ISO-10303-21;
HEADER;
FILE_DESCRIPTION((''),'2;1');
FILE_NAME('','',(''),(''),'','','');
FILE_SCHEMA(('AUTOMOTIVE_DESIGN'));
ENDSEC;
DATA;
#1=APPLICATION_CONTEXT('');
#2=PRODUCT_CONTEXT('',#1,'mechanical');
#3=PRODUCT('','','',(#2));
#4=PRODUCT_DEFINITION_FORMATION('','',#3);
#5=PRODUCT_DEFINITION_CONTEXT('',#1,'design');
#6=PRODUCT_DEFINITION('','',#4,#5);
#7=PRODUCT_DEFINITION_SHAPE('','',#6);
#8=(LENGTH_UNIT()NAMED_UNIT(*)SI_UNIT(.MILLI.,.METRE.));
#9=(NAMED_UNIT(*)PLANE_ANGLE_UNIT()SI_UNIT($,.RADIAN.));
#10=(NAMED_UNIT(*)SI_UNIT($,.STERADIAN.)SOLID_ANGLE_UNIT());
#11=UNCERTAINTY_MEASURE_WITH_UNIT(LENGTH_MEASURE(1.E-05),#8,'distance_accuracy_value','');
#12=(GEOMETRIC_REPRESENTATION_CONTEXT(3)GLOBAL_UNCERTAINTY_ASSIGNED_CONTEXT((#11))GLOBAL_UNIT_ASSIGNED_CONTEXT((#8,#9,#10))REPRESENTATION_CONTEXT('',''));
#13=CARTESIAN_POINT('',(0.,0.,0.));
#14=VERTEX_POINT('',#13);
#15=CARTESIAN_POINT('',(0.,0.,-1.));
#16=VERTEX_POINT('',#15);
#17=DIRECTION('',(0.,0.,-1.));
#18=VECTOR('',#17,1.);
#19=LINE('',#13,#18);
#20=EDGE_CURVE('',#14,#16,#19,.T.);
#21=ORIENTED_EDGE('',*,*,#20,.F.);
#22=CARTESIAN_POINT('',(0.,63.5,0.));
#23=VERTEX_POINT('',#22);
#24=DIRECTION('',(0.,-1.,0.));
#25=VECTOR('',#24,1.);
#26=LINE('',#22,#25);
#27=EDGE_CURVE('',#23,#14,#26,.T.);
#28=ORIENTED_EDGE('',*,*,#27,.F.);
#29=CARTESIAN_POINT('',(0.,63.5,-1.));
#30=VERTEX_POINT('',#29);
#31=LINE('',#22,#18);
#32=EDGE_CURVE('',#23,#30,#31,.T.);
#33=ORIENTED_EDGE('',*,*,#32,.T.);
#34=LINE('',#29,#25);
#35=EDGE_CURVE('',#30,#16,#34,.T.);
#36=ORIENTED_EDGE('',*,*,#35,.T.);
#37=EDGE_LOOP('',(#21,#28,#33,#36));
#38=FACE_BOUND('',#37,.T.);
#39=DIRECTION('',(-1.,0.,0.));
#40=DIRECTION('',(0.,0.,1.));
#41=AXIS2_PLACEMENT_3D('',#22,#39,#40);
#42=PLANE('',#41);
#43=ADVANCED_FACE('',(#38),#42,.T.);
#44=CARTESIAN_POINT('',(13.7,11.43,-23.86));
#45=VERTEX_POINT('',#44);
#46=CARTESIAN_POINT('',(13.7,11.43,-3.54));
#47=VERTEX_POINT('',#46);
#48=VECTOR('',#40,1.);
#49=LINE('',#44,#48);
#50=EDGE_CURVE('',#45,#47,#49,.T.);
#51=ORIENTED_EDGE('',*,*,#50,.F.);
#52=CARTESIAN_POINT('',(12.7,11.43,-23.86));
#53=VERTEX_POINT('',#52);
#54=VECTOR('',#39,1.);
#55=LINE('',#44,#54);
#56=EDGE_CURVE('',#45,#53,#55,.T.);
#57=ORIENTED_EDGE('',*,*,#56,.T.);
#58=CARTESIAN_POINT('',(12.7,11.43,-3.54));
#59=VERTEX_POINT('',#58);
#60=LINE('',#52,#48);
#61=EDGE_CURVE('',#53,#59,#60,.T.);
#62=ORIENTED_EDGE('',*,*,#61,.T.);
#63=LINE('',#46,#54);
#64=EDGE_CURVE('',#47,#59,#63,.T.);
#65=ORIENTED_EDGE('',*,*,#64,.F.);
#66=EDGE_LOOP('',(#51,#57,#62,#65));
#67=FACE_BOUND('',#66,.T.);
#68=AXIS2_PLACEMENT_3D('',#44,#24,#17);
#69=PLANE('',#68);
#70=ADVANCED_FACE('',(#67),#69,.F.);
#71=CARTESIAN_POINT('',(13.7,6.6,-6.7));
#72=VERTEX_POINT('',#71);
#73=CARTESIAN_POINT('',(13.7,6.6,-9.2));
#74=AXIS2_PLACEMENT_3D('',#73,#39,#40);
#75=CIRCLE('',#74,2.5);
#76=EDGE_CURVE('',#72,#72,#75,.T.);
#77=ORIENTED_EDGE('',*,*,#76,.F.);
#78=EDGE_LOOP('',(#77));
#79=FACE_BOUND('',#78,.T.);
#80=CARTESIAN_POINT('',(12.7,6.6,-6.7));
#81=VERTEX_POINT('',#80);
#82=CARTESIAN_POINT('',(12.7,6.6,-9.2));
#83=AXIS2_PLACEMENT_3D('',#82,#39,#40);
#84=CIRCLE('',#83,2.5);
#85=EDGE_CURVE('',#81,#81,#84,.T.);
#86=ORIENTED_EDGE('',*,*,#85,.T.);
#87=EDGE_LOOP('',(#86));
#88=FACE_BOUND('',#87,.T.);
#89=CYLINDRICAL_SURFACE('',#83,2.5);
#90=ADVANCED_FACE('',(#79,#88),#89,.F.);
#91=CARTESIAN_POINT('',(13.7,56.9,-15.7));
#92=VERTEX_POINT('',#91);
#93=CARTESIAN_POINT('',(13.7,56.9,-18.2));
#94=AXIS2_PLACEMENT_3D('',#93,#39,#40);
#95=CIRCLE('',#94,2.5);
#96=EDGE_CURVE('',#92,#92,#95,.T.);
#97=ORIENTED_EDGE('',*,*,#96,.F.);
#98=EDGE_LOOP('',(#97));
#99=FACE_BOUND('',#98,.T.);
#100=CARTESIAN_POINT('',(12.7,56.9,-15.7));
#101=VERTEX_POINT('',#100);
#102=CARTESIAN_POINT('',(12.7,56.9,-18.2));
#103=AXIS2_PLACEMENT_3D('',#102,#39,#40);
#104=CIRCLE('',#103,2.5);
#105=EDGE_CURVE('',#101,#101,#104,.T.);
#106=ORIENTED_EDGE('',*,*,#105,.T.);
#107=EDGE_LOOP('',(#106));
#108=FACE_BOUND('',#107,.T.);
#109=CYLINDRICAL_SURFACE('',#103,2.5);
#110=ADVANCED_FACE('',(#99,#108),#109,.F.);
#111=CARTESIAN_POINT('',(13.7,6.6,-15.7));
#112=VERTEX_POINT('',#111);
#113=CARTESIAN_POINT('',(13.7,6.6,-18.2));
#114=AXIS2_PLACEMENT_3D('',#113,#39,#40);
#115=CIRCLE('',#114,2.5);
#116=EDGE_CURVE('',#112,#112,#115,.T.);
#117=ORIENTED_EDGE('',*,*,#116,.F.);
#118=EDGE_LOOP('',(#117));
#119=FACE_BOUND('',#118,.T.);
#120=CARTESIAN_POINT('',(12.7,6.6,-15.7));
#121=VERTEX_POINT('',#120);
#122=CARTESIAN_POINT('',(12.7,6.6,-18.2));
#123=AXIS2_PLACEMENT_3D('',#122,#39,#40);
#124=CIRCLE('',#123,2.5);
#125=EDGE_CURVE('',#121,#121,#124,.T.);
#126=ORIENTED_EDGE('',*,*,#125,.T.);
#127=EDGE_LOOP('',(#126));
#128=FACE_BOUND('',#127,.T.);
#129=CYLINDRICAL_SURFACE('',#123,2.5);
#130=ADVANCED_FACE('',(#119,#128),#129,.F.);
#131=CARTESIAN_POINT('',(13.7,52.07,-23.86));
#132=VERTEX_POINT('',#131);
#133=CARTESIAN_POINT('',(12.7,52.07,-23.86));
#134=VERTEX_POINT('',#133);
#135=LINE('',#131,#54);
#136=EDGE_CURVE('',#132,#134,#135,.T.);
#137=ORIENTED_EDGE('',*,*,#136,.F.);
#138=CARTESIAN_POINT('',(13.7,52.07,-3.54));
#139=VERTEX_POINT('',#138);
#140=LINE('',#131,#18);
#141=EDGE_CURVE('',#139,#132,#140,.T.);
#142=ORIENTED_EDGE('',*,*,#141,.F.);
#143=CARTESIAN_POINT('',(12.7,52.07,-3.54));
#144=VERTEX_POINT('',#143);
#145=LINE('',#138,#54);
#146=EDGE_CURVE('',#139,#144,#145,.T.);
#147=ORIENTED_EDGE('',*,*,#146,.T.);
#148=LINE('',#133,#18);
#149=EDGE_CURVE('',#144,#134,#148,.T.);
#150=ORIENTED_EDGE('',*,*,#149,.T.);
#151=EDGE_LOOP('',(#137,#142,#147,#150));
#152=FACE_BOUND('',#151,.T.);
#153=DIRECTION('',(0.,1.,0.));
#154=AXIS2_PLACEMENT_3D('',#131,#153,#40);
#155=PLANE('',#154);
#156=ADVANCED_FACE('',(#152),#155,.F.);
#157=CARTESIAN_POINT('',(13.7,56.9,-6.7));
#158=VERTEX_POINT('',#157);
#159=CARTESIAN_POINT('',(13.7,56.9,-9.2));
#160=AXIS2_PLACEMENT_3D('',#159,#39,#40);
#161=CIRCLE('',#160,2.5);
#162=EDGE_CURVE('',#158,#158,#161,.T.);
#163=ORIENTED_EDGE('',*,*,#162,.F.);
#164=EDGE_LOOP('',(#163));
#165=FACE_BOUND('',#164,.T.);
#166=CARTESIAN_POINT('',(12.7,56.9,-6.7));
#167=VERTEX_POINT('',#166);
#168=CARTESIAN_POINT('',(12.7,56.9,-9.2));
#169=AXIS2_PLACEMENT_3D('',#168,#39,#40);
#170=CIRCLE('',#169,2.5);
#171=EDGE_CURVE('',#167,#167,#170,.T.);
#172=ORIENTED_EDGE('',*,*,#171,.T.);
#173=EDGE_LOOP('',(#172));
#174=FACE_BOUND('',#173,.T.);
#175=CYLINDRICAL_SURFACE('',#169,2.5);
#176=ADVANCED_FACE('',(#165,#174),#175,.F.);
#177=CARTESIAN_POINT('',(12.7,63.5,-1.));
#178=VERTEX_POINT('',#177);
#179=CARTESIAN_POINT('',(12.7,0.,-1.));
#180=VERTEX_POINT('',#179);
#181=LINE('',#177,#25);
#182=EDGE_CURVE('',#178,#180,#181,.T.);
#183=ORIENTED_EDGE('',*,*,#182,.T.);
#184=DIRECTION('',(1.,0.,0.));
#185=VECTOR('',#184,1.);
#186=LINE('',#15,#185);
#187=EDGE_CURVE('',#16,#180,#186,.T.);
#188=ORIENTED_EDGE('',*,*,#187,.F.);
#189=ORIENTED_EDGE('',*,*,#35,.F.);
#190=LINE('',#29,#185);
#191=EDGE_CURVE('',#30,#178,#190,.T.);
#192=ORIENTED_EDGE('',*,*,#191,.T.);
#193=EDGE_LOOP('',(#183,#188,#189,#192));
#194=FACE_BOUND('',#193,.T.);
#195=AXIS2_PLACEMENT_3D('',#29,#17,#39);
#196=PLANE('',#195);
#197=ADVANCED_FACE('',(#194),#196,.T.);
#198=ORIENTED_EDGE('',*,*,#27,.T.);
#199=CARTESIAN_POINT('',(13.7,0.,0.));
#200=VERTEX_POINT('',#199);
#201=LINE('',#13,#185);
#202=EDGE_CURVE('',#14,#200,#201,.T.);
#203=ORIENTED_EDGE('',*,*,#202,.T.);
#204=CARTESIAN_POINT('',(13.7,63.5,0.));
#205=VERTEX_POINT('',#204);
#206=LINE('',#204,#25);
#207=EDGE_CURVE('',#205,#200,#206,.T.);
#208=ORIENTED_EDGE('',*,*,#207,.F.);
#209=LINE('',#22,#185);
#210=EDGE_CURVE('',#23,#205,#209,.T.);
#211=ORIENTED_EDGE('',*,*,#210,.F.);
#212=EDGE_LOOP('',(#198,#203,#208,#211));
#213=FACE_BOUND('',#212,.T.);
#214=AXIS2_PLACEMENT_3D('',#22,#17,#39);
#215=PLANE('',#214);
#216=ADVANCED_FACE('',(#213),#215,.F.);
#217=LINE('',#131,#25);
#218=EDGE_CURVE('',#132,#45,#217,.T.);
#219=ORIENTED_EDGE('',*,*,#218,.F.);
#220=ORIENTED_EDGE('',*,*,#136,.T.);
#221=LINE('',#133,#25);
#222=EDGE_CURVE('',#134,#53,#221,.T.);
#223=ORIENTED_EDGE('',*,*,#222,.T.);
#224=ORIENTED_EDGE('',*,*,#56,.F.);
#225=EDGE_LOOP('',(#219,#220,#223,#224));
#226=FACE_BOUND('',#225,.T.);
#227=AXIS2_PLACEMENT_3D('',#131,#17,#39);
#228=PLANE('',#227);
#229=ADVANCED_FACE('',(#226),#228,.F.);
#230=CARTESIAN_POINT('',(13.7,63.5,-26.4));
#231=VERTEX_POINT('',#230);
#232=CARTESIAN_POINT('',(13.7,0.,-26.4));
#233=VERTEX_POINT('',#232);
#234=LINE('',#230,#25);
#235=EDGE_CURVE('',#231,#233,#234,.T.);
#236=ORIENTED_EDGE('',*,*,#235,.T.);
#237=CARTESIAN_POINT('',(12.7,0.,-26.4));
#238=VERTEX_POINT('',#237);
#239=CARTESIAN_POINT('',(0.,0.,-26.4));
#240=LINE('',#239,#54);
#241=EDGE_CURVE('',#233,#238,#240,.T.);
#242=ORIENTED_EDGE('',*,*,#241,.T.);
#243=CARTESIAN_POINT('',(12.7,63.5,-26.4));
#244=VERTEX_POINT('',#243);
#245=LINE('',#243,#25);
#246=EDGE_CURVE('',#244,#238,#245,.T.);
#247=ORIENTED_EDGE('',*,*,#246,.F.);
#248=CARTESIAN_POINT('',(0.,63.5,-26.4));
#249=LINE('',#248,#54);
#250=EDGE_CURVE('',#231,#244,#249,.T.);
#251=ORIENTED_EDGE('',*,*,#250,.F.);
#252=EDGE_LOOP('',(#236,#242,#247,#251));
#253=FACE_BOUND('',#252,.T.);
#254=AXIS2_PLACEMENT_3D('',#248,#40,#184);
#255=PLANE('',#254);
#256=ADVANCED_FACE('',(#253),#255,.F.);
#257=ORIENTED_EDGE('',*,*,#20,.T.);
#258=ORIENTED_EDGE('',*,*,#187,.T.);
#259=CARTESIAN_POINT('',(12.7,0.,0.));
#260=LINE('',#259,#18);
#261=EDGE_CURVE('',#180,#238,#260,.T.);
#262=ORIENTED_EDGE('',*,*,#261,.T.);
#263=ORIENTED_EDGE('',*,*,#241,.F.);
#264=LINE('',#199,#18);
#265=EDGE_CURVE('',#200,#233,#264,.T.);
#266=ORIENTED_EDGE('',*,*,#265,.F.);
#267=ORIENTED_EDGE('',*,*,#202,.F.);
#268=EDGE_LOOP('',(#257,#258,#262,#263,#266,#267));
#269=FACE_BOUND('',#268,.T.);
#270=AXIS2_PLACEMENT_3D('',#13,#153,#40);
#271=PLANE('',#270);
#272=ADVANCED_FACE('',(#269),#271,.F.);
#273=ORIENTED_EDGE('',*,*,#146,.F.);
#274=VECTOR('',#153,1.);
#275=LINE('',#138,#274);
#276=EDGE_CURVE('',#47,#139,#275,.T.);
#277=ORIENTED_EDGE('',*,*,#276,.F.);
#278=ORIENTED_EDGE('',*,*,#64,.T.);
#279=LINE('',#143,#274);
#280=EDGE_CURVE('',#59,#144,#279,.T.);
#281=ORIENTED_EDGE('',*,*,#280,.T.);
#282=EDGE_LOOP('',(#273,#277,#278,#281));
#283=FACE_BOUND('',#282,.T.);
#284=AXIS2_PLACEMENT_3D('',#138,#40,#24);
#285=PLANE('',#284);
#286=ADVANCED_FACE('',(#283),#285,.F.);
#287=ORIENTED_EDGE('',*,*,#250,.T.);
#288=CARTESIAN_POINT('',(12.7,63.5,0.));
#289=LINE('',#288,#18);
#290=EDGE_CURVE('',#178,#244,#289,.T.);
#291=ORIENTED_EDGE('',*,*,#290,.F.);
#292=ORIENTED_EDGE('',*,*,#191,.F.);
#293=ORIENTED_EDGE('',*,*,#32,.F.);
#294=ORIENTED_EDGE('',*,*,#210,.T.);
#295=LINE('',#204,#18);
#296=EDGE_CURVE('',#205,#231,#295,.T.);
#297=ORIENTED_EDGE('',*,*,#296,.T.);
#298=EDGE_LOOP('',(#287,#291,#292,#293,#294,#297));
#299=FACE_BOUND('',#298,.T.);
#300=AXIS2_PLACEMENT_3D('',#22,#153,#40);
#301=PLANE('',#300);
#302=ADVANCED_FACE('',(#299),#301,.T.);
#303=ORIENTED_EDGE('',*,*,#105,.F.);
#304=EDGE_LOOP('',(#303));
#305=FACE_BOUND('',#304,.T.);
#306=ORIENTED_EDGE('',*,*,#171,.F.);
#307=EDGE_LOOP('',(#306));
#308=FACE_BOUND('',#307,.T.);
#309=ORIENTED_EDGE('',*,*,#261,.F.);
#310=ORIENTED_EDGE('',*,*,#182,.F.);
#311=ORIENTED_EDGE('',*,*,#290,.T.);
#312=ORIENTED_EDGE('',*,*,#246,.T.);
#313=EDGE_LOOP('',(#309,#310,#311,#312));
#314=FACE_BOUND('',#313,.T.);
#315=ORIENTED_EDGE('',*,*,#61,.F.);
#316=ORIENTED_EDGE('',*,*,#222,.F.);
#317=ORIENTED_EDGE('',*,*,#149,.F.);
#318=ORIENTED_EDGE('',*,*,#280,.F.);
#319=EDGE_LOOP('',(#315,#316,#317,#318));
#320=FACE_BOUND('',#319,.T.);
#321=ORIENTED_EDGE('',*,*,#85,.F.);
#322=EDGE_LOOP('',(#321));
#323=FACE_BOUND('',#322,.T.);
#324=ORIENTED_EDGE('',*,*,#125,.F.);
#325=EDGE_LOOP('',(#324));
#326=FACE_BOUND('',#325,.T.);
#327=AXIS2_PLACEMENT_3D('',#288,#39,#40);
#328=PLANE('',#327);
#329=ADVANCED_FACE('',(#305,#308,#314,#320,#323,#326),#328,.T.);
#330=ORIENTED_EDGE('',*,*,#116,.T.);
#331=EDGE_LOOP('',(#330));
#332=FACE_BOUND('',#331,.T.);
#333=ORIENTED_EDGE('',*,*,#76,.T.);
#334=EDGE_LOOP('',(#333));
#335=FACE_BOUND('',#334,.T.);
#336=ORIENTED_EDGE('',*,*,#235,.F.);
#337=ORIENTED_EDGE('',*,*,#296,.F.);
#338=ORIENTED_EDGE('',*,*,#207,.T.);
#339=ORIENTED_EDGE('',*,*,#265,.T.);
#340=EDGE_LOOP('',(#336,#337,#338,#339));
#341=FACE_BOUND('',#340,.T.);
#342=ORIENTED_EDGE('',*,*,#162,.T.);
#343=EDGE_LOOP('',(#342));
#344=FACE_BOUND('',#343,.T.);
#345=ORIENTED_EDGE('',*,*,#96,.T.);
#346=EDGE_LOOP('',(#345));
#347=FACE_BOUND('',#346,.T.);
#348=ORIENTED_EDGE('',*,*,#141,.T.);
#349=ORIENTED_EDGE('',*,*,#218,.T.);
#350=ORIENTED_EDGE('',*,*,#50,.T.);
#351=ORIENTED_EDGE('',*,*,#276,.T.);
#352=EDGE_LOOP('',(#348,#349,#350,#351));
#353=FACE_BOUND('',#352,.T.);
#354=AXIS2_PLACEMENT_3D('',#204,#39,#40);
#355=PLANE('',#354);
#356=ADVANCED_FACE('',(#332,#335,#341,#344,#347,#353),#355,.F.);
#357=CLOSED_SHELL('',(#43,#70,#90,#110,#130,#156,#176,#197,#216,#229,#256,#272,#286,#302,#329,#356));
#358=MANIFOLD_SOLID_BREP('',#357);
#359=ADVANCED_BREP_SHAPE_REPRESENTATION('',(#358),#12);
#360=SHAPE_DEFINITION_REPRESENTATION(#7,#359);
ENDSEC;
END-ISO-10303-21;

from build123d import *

# Parameters (mm, degrees)
SKETCH1_W             = 1
SKETCH1_H             = 25.4
SKETCH1_W_2           = 13.7
SKETCH1_H_2           = 1
BOSS_EXTRUDE1_DEPTH   = 63.5
SKETCH2_W             = 20.32
SKETCH2_H             = 40.64
CUT_EXTRUDE1_DEPTH    = 70.932109935
F_5_0MM_DOWEL_HOLE1_D = 5


with BuildPart() as part:
    # Sketch1 → Boss-Extrude1 (new body)
    with BuildSketch(Plane(origin=(0, 0, 0), x_dir=(1, 0, 0), z_dir=(0, 1, 0))):
        with Locations((13.2, 13.7)):
            Rectangle(SKETCH1_W, SKETCH1_H)
        with Locations((6.85, 0.5)):
            Rectangle(SKETCH1_W_2, SKETCH1_H_2)
    extrude(amount=BOSS_EXTRUDE1_DEPTH)

    # Sketch2 → Cut-Extrude1 (cut, through all)
    with BuildSketch(Plane.ZY.offset(-12.7)):
        with Locations((-13.7, 31.75)):
            Rectangle(SKETCH2_W, SKETCH2_H)
    extrude(amount=-CUT_EXTRUDE1_DEPTH, mode=Mode.SUBTRACT)

    # Ø5.0mm Dowel Hole1 (through all)
    with Locations(Plane.ZY.offset(-12.7)):
        with Locations((-9.2, 6.6), (-18.2, 56.9), (-9.2, 56.9), (-18.2, 6.6)):
            Hole(F_5_0MM_DOWEL_HOLE1_D / 2)


solid = part.part
